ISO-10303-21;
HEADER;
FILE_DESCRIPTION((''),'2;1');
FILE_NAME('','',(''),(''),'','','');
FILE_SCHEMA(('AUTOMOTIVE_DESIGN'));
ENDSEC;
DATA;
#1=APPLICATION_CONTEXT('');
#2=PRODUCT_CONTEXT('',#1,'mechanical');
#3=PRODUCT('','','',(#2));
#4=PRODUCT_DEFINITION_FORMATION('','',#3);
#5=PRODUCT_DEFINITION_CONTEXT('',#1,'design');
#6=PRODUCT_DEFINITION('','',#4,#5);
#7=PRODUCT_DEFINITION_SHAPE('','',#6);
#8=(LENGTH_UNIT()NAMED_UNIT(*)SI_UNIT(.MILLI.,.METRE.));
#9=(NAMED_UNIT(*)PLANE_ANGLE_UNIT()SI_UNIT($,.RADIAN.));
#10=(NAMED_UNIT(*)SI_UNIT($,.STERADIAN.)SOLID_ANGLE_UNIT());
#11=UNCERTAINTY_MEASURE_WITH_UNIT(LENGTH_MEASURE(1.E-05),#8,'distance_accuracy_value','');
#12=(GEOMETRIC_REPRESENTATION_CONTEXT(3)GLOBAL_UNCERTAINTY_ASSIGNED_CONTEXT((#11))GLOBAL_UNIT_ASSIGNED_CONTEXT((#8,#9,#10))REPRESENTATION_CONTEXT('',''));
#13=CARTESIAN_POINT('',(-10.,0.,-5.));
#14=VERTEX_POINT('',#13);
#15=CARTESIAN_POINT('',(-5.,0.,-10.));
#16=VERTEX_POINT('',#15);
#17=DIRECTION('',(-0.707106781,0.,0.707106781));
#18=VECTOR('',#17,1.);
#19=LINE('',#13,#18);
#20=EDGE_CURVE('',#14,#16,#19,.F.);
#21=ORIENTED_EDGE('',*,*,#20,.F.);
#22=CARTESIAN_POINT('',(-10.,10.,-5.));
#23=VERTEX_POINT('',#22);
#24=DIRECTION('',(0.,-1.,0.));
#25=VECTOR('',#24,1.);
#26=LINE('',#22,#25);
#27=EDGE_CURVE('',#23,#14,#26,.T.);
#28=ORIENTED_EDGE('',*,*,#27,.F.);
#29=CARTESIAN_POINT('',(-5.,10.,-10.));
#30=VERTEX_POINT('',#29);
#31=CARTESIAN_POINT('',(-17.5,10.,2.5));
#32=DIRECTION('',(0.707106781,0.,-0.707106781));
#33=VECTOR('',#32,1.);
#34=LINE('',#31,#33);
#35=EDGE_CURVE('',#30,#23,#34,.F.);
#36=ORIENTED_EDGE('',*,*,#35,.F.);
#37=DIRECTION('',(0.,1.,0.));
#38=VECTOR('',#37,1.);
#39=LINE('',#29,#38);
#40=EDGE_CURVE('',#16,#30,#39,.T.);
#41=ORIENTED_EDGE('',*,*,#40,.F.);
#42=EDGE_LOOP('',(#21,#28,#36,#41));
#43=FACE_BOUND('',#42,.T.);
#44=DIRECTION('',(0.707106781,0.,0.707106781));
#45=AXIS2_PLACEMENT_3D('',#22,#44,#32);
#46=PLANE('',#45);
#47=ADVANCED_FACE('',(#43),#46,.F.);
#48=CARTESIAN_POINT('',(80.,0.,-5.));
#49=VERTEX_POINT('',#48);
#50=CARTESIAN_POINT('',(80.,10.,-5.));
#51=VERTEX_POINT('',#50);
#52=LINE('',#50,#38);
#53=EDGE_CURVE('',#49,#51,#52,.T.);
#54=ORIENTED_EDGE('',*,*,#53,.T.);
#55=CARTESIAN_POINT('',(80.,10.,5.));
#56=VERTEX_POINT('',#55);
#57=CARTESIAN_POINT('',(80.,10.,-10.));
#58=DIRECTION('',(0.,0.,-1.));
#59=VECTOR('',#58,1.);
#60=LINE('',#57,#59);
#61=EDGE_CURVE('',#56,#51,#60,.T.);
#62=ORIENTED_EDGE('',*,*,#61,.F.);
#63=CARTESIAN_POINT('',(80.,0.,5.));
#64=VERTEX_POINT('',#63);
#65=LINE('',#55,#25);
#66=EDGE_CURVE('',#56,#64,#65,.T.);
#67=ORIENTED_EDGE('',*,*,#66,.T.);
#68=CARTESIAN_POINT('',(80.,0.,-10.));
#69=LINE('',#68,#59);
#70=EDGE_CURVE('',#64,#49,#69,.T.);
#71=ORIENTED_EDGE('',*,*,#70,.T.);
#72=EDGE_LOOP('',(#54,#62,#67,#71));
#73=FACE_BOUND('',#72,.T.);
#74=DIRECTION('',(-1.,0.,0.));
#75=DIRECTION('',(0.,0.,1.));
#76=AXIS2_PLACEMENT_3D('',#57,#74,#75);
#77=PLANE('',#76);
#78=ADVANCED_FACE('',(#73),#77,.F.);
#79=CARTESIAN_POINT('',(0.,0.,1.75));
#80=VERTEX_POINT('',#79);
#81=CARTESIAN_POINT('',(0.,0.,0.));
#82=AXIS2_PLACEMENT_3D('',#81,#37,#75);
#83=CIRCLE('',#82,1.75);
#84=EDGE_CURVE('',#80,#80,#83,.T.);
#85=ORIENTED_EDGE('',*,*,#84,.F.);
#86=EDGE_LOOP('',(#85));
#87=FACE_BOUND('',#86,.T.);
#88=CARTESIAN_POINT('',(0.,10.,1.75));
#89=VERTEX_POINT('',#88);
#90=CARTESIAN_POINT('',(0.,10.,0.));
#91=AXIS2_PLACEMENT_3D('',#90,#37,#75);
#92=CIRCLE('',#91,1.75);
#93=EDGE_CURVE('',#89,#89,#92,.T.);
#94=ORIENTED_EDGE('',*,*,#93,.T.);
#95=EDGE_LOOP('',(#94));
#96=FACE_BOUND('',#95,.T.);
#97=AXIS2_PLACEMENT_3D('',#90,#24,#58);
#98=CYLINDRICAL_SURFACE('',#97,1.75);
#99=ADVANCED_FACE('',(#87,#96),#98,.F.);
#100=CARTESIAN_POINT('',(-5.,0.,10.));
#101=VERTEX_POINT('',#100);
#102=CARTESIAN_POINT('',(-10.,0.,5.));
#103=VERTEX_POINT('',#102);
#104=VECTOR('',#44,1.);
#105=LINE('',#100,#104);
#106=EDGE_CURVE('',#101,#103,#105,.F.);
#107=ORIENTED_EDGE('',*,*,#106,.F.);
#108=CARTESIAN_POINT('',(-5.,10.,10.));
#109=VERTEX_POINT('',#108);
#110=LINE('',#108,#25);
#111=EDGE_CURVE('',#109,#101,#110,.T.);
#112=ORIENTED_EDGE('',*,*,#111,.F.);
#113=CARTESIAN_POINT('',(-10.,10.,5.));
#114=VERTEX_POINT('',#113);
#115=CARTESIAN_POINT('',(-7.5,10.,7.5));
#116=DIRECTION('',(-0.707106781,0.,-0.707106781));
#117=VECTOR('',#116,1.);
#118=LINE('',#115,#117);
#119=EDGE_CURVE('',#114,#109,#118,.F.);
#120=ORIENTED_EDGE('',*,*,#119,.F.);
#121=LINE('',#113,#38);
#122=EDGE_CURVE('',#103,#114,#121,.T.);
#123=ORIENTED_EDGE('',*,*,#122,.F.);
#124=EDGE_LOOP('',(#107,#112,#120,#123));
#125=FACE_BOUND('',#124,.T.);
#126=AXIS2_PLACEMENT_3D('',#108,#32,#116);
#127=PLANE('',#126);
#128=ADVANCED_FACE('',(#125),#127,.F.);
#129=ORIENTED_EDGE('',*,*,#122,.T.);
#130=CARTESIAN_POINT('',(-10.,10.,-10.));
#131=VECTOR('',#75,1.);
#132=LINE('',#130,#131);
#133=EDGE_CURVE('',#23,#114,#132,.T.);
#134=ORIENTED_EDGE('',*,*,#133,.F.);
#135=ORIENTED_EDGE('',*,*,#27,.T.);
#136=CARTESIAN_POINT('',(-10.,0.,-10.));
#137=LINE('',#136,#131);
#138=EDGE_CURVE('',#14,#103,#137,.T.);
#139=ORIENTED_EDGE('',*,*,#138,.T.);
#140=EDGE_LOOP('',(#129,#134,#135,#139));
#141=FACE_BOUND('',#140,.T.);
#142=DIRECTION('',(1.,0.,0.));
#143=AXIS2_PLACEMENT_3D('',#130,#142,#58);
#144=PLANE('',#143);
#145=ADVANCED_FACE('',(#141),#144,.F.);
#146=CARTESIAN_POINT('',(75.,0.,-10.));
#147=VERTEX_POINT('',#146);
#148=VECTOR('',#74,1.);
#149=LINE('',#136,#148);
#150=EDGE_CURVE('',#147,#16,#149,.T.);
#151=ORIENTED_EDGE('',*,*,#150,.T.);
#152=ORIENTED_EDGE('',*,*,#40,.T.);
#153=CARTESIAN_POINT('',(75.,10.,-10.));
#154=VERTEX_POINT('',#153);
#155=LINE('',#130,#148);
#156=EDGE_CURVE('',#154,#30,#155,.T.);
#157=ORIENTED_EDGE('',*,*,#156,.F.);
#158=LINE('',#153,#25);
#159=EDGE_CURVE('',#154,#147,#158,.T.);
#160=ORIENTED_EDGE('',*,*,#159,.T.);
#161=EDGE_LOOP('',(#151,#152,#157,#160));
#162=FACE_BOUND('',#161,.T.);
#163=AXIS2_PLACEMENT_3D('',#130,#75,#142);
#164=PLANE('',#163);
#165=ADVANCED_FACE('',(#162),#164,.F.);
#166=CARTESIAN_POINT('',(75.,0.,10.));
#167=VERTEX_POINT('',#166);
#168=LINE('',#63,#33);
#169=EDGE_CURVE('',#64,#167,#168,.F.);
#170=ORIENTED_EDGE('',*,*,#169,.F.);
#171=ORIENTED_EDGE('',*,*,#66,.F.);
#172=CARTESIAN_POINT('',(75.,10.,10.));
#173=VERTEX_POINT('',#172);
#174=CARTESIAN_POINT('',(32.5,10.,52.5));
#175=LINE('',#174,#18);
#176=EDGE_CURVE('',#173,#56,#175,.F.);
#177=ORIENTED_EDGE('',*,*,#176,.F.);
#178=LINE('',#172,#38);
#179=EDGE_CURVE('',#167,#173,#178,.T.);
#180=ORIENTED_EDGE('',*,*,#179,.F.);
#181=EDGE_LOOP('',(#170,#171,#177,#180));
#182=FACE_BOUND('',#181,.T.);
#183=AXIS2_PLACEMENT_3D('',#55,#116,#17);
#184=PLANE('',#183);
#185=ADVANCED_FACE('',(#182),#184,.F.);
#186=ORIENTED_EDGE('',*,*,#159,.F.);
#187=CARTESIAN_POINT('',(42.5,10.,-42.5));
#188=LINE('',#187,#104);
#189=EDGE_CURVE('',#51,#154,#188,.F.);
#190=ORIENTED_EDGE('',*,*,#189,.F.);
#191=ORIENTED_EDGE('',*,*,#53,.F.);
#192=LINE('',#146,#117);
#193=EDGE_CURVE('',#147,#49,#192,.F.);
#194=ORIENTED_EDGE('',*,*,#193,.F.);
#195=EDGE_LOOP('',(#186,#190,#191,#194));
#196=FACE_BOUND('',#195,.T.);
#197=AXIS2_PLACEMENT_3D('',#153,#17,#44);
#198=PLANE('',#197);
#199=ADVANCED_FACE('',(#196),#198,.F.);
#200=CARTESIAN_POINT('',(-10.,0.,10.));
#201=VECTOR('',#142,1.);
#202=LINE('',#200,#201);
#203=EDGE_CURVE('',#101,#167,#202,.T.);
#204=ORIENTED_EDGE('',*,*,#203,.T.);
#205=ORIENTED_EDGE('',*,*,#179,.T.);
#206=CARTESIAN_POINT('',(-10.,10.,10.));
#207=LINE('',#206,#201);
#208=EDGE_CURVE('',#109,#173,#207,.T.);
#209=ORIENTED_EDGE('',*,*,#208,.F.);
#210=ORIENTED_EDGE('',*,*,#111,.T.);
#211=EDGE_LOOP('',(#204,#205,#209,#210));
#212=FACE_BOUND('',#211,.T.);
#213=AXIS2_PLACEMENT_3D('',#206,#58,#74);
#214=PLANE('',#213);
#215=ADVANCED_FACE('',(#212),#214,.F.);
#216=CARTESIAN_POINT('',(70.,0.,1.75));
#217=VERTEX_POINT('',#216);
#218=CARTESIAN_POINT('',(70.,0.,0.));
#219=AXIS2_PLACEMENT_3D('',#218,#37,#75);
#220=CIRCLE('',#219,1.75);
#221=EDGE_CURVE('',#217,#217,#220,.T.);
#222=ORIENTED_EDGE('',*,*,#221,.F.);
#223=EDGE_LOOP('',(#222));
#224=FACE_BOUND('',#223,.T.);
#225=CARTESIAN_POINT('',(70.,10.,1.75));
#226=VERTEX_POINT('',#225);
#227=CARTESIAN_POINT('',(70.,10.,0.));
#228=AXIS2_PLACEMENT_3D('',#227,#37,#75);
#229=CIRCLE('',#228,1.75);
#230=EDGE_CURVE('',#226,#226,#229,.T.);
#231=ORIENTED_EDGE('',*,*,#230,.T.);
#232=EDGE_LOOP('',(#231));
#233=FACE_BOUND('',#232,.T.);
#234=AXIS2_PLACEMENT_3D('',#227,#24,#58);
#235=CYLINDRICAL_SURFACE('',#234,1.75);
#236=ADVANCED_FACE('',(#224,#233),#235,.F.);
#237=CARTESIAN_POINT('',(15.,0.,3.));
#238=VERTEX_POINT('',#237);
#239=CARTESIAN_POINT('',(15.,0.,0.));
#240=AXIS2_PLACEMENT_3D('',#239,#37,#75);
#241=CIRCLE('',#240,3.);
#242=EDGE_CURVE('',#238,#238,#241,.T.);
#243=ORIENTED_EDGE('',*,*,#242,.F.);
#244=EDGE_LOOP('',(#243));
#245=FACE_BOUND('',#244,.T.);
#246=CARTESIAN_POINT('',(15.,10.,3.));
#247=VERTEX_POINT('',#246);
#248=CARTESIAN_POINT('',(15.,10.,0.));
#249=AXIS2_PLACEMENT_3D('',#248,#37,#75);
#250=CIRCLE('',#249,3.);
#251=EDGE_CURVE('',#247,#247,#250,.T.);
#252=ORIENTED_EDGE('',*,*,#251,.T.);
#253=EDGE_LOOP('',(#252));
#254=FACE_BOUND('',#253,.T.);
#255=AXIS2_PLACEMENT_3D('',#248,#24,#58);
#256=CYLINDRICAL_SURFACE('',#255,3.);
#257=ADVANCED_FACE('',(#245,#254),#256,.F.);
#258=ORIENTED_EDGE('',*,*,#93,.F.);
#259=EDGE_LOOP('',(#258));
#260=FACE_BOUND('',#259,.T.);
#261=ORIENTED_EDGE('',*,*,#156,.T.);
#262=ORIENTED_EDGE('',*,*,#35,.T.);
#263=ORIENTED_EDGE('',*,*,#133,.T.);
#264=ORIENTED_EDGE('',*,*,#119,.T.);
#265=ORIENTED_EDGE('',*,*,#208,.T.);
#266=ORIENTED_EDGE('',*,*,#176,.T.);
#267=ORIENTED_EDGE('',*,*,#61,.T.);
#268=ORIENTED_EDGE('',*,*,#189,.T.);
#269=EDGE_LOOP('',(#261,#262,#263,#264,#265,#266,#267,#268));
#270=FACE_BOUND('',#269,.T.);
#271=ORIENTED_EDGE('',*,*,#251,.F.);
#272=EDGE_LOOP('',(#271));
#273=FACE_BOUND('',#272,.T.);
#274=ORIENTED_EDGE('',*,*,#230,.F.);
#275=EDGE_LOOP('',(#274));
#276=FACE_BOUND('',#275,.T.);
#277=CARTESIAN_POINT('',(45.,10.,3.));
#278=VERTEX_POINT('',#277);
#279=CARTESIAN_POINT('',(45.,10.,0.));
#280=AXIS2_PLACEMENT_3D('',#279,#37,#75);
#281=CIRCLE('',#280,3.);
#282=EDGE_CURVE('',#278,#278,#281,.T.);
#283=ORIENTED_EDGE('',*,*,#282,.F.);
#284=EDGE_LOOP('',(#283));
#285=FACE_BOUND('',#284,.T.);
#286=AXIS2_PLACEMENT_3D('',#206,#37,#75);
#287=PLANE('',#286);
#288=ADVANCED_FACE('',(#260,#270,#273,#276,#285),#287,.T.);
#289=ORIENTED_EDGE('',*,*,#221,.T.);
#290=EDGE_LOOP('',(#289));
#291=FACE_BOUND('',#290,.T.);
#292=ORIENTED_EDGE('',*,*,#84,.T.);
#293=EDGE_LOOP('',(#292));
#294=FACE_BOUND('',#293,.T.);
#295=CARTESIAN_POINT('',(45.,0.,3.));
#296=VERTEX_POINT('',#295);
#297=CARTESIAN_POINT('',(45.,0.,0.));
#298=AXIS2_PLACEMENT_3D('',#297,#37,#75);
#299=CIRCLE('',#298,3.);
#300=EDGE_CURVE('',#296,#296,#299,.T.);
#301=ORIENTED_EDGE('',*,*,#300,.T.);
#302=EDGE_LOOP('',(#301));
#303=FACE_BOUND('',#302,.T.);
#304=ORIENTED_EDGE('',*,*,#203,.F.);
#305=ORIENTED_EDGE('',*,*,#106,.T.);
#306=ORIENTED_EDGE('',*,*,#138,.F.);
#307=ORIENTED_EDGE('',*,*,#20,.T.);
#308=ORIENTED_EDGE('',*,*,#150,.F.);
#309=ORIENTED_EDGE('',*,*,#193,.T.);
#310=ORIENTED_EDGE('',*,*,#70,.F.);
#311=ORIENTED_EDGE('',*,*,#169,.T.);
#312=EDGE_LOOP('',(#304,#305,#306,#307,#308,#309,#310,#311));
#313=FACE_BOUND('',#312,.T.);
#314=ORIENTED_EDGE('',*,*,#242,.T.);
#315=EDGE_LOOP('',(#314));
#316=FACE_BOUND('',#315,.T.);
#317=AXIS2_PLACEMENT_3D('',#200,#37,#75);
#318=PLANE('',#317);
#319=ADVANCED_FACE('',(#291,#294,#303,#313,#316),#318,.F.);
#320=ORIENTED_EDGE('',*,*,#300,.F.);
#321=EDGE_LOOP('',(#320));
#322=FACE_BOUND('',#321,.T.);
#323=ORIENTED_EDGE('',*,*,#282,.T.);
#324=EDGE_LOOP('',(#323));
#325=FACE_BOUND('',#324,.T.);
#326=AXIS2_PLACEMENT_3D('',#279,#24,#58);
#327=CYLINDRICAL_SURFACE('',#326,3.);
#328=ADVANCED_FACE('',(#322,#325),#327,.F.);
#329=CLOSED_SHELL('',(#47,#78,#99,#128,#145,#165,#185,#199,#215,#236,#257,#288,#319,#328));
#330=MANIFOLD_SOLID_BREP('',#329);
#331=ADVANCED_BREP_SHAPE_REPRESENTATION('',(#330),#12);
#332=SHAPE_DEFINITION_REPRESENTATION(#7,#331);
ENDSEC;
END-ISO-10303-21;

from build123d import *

# Parameters (mm, degrees)
SKETCH1_W           = 90
SKETCH1_H           = 20
SKETCH1_R           = 1.75
SKETCH1_R_2         = 3
BOSS_EXTRUDE1_DEPTH = 10
CHAMFER1_SIZE       = 5


with BuildPart() as part:
    # Sketch1 → Boss-Extrude1 (new body)
    with BuildSketch(Plane(origin=(0, 0, 0), x_dir=(1, 0, 0), z_dir=(0, 1, 0))):
        with Locations((35, 0)):
            Rectangle(SKETCH1_W, SKETCH1_H)
        with Locations(Location((0, 0, 0), (0, 0, 270))):
            Circle(SKETCH1_R, mode=Mode.SUBTRACT)
        with Locations(Location((70, 0, 0), (0, 0, 270))):
            Circle(SKETCH1_R, mode=Mode.SUBTRACT)
        with Locations(Location((15, 0, 0), (0, 0, 270))):
            Circle(SKETCH1_R_2, mode=Mode.SUBTRACT)
        with Locations(Location((45, 0, 0), (0, 0, 270))):
            Circle(SKETCH1_R_2, mode=Mode.SUBTRACT)
    extrude(amount=BOSS_EXTRUDE1_DEPTH)

    # Chamfer1
    chamfer1_edges = [part.edges().sort_by_distance(p)[0] for p in [
        (-10, 5, -10),
        (80, 5, -10),
        (80, 5, 10),
        (-10, 5, 10),
    ]]
    chamfer(chamfer1_edges, length=CHAMFER1_SIZE)


solid = part.part
